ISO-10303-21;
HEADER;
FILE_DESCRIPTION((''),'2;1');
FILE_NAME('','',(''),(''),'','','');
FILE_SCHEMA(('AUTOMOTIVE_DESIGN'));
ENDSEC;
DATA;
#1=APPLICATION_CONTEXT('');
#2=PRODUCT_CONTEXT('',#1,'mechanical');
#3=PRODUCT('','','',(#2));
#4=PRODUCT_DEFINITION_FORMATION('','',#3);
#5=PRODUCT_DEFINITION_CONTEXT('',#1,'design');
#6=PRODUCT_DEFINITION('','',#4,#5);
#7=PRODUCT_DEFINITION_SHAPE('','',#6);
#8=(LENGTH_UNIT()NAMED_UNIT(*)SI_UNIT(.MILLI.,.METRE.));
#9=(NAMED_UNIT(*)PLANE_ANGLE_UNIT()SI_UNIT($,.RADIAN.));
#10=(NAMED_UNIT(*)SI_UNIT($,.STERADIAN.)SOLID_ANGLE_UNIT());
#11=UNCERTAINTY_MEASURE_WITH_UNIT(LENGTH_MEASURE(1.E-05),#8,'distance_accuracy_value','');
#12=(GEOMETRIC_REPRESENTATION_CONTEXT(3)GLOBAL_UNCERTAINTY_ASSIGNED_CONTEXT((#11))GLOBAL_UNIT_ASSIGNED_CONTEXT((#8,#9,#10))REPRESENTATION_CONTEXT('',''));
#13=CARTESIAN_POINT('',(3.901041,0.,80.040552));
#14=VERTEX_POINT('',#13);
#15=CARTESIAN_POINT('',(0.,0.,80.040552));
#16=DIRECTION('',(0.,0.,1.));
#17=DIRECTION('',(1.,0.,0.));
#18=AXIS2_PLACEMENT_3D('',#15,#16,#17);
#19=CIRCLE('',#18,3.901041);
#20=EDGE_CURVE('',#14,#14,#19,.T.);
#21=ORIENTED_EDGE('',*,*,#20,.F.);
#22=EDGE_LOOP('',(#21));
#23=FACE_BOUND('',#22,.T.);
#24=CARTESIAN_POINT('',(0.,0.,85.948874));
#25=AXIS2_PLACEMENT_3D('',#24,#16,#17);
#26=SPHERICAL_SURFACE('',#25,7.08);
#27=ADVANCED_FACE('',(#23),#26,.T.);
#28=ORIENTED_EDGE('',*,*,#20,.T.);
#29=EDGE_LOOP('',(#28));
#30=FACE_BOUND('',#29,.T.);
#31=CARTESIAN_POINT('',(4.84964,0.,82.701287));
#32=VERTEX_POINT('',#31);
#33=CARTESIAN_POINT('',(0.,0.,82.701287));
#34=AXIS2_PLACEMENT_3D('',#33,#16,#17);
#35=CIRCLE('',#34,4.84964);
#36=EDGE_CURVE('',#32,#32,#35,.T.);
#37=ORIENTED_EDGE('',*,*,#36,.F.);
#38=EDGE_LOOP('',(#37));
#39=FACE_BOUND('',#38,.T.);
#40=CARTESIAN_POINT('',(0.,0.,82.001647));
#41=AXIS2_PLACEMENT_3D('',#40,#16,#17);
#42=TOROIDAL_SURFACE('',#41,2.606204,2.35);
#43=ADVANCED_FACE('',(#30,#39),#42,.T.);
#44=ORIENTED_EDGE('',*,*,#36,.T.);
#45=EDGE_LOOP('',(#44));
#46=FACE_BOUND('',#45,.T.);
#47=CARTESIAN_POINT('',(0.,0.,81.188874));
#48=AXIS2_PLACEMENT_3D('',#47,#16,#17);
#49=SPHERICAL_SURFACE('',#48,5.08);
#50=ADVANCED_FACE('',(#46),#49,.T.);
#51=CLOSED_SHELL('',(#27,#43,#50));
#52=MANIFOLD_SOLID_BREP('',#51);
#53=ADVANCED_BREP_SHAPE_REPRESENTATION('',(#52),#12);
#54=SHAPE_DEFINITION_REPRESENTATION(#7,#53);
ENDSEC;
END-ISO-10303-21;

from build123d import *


with BuildPart() as part:
    # 草图2 → 旋转2 (revolve)
    with BuildSketch(Plane(origin=(0, 0, 0), x_dir=(1, 0, 0), z_dir=(0, 1, 0))):
        with BuildLine():
            Line((0, -78.868874327), (0, -86.268874327))
            ThreePointArc((0, -86.268874327), (3.010260964, -85.280906698), (4.849639886, -82.701287292))
            ThreePointArc((4.849639886, -82.701287292), (4.819735764, -81.212484825), (3.90104125, -80.040551623))
            ThreePointArc((3.90104125, -80.040551623), (2.036599526, -79.168117557), (0, -78.868874327))
        make_face()
    revolve(axis=Axis((0, 0, 0), (0, 0, -1)))


solid = part.part
